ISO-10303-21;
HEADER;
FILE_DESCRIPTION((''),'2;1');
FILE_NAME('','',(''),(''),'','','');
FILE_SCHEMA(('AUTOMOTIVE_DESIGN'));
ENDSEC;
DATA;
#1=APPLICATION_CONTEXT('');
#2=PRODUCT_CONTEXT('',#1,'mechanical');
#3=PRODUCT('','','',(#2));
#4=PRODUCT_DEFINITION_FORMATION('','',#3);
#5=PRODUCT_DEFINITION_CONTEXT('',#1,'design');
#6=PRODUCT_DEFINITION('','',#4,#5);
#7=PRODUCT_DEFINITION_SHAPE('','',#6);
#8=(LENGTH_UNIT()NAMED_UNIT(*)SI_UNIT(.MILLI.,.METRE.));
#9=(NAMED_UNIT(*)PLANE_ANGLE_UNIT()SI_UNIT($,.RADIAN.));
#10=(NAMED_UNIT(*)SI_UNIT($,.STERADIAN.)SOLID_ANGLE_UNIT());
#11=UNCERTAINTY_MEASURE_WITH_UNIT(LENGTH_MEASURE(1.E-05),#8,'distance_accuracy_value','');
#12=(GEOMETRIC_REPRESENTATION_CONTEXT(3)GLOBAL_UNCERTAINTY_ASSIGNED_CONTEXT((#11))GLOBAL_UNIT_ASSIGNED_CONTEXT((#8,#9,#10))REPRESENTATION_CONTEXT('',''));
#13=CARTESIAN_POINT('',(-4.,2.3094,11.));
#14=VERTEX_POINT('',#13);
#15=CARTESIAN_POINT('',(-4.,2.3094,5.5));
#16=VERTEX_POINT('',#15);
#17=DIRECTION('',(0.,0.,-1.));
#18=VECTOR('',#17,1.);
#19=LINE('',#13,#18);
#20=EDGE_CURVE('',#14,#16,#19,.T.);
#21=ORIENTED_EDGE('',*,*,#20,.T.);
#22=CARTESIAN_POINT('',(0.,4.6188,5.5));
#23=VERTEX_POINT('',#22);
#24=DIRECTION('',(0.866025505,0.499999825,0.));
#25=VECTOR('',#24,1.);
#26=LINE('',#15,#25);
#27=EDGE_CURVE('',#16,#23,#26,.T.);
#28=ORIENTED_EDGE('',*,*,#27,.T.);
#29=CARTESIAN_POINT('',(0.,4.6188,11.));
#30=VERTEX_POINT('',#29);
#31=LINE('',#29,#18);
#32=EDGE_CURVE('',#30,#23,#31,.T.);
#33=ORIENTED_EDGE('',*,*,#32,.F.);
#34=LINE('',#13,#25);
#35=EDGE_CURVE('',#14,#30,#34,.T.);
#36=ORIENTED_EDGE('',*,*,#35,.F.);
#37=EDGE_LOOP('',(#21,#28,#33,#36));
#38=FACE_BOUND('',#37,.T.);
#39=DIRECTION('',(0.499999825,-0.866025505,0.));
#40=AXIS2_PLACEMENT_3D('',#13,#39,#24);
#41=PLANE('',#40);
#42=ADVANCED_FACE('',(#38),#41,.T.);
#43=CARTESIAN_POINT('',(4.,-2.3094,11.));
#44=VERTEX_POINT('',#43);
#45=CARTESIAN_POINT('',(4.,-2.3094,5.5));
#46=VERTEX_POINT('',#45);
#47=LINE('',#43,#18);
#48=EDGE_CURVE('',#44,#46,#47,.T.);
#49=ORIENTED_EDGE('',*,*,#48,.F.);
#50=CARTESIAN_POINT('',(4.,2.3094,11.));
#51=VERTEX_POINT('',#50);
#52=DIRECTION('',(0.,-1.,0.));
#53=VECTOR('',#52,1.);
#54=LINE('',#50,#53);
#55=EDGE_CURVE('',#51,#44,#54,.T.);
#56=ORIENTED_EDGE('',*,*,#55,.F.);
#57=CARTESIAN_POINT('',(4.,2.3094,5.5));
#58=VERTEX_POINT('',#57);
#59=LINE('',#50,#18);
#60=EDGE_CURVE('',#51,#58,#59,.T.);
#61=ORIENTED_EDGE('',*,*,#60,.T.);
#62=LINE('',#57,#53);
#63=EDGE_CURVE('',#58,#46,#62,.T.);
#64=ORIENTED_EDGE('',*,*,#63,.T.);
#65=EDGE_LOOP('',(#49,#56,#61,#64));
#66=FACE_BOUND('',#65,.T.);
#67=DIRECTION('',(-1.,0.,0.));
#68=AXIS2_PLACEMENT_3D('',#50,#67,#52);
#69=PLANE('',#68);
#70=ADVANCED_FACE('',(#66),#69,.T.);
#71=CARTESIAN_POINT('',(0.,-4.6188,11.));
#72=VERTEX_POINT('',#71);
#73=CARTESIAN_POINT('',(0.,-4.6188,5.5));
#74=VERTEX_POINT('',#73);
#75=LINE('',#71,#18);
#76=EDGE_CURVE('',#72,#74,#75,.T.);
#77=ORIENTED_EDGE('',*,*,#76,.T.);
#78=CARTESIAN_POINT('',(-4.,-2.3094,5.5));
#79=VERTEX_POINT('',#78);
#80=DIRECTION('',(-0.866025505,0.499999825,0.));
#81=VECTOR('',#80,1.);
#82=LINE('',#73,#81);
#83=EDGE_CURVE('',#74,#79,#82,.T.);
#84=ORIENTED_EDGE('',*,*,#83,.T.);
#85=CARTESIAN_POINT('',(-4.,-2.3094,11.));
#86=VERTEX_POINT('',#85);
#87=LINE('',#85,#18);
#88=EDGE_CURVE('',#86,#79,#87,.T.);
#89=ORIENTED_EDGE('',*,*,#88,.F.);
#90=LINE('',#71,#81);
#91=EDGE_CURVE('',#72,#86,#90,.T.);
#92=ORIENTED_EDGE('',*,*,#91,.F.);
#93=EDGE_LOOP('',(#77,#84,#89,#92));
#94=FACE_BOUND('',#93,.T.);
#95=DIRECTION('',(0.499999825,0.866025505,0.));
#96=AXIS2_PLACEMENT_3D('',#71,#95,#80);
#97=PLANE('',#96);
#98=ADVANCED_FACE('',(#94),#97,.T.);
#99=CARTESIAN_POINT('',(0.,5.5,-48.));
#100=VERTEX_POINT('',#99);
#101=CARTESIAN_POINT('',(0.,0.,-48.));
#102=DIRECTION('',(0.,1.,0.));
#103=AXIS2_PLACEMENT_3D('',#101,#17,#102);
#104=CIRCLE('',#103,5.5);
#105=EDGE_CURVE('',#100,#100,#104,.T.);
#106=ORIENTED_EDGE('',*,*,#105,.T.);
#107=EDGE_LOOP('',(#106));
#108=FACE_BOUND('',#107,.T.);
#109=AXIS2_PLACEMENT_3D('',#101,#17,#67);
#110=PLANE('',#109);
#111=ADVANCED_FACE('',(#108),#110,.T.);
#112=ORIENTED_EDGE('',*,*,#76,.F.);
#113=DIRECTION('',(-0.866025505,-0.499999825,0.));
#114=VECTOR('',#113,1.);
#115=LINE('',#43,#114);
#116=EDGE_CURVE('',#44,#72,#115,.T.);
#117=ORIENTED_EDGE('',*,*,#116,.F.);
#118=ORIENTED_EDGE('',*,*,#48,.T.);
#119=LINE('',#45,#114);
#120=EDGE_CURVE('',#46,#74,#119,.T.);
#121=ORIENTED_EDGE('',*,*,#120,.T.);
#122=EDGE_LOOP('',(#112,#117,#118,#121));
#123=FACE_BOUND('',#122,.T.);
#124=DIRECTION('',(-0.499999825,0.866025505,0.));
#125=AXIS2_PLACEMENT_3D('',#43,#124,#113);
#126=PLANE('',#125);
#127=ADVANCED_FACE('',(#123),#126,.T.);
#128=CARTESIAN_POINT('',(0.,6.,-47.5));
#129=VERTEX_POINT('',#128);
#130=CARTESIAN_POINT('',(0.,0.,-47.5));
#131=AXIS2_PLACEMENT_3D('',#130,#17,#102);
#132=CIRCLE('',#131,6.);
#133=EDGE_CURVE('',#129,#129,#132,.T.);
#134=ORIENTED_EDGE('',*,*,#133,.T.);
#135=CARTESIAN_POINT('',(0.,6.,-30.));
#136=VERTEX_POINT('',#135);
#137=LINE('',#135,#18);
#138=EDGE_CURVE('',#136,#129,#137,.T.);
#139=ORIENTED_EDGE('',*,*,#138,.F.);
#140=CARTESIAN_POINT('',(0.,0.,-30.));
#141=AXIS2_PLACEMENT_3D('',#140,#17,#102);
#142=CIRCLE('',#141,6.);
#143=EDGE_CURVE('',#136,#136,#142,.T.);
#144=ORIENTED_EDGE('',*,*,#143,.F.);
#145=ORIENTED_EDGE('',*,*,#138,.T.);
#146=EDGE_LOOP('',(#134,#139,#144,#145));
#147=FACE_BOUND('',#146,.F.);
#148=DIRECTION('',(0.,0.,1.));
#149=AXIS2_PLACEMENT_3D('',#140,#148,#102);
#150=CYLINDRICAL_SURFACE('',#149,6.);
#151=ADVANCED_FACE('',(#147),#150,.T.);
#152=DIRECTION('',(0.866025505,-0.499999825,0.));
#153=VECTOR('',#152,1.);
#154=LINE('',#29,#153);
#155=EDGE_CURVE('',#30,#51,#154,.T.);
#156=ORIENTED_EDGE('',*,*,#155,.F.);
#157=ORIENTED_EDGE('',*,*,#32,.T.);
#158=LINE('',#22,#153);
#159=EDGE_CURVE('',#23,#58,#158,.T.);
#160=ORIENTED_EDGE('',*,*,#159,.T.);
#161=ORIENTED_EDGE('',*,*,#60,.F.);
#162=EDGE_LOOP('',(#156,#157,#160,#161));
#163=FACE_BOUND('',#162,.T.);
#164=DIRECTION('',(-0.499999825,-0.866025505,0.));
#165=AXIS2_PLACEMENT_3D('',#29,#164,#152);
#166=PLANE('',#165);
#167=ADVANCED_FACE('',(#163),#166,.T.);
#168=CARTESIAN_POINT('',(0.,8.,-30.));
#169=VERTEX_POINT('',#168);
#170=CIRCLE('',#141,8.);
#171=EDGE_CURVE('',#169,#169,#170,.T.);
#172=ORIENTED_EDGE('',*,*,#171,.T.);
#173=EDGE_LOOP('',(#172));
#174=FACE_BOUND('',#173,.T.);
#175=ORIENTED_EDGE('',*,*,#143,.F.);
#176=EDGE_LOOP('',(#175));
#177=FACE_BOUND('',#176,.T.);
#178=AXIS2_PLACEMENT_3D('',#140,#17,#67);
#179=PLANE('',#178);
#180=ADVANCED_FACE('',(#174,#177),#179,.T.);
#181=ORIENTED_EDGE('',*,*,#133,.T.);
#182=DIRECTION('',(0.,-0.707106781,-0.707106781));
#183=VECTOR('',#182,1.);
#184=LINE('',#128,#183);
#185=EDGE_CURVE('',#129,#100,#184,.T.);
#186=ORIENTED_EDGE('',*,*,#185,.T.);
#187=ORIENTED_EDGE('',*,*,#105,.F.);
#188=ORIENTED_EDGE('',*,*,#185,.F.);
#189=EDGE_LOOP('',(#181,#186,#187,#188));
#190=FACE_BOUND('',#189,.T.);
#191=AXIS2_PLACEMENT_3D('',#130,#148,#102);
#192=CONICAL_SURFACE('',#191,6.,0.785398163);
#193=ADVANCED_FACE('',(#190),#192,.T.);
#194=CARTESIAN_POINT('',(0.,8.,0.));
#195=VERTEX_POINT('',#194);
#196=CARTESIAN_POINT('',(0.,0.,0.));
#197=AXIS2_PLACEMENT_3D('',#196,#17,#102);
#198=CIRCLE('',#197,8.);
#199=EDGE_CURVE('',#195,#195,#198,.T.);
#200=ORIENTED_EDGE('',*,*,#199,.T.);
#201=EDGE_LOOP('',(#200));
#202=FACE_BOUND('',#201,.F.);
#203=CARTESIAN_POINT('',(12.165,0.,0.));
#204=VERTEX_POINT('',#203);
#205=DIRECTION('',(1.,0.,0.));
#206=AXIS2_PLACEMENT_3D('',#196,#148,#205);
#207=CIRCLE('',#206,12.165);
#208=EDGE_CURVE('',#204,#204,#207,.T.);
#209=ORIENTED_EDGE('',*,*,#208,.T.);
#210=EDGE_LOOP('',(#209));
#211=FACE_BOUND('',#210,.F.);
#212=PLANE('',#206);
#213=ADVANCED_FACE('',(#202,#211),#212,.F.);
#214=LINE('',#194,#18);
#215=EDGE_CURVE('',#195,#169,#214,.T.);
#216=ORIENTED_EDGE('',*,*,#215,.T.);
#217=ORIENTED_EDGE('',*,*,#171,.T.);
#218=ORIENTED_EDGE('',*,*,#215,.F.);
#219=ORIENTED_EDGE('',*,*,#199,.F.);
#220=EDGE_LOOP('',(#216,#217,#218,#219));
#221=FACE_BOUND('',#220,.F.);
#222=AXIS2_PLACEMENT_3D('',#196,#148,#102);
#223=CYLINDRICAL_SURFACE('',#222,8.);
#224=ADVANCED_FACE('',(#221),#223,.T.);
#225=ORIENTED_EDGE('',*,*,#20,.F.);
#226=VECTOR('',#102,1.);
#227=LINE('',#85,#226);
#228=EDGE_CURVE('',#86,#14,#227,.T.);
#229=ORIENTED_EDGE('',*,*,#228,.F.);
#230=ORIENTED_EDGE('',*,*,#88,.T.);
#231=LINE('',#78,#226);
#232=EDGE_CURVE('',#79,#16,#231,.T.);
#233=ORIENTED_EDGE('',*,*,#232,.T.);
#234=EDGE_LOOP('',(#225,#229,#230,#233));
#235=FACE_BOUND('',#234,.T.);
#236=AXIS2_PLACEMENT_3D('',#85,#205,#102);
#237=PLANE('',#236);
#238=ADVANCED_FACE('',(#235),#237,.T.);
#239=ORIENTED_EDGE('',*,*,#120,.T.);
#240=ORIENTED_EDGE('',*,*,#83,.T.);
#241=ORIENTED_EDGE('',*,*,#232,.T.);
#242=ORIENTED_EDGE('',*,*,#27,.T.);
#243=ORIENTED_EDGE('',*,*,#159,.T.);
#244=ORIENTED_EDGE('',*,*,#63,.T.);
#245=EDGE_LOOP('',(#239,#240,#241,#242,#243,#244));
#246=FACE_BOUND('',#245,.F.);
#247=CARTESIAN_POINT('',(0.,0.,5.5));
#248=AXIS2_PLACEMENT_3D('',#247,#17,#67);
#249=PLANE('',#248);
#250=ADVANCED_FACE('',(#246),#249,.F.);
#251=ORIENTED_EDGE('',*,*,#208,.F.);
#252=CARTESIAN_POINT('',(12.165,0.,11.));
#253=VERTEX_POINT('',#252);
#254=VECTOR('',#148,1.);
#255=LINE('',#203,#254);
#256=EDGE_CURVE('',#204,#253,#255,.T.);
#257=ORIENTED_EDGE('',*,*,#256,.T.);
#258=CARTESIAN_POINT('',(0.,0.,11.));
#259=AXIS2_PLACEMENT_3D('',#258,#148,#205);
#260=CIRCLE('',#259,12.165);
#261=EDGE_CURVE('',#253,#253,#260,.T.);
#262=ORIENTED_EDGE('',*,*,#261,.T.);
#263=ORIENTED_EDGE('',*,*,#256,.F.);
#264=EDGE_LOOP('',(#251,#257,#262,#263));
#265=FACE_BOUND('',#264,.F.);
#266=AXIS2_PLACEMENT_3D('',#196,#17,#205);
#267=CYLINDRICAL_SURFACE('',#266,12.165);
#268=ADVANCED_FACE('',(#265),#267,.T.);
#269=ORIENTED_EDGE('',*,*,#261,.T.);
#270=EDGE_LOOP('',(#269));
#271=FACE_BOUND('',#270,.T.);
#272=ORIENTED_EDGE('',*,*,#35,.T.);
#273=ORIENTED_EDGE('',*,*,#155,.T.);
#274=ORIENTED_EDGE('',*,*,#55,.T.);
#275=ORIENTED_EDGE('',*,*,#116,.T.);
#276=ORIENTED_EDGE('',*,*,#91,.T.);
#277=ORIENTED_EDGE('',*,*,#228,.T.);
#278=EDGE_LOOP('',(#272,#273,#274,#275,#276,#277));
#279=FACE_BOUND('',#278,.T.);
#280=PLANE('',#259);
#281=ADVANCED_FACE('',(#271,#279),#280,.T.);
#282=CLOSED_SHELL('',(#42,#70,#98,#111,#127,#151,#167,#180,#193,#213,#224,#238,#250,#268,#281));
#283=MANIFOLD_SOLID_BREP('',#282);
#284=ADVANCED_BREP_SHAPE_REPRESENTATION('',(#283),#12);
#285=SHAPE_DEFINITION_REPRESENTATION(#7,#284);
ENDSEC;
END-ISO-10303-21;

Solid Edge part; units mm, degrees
sketch "Sketch1" plane through (0, 0, 0) normal (0, 0, 1) x (1, 0, 0)
  circle A0 centre (0, 0) radius 12.165
  dimension "D1" = 24.33
extrude "Protrusion1" add sketch "Sketch1" along normal blind 11
sketch "Sketch2" plane through (0, 0, 11) normal (0, 0, 1) x (1, 0, 0)
  line L0 (0, -4.6188) -> (-4, -2.3094)
  line L1 (-4, -2.3094) -> (-4, 2.3094)
  line L2 (-4, 2.3094) -> (0, 4.6188)
  line L3 (0, 4.6188) -> (4, 2.3094)
  line L4 (4, 2.3094) -> (4, -2.3094)
  line L5 (4, -2.3094) -> (0, -4.6188)
  dimension "D1" = 8
extrude "Cutout1" cut sketch "Sketch2" against normal blind 5.5
sketch "Sketch3" plane through (0, 0, 0) normal (0, 0, -1) x (0, 1, 0)
  circle A0 centre (0, 0) radius 8
  dimension "D1" = 16
extrude "Protrusion2" add sketch "Sketch3" along normal blind 30
sketch "Sketch4" plane through (0, 0, -30) normal (0, 0, -1) x (0, 1, 0)
  circle A0 centre (0, 0) radius 6
  dimension "D1" = 12
extrude "Protrusion3" add sketch "Sketch4" along normal blind 18
chamfer "Chamfer1" distance 0.5 angle 45 1 edges at (0, -6, -48)
properties part number "108084"
